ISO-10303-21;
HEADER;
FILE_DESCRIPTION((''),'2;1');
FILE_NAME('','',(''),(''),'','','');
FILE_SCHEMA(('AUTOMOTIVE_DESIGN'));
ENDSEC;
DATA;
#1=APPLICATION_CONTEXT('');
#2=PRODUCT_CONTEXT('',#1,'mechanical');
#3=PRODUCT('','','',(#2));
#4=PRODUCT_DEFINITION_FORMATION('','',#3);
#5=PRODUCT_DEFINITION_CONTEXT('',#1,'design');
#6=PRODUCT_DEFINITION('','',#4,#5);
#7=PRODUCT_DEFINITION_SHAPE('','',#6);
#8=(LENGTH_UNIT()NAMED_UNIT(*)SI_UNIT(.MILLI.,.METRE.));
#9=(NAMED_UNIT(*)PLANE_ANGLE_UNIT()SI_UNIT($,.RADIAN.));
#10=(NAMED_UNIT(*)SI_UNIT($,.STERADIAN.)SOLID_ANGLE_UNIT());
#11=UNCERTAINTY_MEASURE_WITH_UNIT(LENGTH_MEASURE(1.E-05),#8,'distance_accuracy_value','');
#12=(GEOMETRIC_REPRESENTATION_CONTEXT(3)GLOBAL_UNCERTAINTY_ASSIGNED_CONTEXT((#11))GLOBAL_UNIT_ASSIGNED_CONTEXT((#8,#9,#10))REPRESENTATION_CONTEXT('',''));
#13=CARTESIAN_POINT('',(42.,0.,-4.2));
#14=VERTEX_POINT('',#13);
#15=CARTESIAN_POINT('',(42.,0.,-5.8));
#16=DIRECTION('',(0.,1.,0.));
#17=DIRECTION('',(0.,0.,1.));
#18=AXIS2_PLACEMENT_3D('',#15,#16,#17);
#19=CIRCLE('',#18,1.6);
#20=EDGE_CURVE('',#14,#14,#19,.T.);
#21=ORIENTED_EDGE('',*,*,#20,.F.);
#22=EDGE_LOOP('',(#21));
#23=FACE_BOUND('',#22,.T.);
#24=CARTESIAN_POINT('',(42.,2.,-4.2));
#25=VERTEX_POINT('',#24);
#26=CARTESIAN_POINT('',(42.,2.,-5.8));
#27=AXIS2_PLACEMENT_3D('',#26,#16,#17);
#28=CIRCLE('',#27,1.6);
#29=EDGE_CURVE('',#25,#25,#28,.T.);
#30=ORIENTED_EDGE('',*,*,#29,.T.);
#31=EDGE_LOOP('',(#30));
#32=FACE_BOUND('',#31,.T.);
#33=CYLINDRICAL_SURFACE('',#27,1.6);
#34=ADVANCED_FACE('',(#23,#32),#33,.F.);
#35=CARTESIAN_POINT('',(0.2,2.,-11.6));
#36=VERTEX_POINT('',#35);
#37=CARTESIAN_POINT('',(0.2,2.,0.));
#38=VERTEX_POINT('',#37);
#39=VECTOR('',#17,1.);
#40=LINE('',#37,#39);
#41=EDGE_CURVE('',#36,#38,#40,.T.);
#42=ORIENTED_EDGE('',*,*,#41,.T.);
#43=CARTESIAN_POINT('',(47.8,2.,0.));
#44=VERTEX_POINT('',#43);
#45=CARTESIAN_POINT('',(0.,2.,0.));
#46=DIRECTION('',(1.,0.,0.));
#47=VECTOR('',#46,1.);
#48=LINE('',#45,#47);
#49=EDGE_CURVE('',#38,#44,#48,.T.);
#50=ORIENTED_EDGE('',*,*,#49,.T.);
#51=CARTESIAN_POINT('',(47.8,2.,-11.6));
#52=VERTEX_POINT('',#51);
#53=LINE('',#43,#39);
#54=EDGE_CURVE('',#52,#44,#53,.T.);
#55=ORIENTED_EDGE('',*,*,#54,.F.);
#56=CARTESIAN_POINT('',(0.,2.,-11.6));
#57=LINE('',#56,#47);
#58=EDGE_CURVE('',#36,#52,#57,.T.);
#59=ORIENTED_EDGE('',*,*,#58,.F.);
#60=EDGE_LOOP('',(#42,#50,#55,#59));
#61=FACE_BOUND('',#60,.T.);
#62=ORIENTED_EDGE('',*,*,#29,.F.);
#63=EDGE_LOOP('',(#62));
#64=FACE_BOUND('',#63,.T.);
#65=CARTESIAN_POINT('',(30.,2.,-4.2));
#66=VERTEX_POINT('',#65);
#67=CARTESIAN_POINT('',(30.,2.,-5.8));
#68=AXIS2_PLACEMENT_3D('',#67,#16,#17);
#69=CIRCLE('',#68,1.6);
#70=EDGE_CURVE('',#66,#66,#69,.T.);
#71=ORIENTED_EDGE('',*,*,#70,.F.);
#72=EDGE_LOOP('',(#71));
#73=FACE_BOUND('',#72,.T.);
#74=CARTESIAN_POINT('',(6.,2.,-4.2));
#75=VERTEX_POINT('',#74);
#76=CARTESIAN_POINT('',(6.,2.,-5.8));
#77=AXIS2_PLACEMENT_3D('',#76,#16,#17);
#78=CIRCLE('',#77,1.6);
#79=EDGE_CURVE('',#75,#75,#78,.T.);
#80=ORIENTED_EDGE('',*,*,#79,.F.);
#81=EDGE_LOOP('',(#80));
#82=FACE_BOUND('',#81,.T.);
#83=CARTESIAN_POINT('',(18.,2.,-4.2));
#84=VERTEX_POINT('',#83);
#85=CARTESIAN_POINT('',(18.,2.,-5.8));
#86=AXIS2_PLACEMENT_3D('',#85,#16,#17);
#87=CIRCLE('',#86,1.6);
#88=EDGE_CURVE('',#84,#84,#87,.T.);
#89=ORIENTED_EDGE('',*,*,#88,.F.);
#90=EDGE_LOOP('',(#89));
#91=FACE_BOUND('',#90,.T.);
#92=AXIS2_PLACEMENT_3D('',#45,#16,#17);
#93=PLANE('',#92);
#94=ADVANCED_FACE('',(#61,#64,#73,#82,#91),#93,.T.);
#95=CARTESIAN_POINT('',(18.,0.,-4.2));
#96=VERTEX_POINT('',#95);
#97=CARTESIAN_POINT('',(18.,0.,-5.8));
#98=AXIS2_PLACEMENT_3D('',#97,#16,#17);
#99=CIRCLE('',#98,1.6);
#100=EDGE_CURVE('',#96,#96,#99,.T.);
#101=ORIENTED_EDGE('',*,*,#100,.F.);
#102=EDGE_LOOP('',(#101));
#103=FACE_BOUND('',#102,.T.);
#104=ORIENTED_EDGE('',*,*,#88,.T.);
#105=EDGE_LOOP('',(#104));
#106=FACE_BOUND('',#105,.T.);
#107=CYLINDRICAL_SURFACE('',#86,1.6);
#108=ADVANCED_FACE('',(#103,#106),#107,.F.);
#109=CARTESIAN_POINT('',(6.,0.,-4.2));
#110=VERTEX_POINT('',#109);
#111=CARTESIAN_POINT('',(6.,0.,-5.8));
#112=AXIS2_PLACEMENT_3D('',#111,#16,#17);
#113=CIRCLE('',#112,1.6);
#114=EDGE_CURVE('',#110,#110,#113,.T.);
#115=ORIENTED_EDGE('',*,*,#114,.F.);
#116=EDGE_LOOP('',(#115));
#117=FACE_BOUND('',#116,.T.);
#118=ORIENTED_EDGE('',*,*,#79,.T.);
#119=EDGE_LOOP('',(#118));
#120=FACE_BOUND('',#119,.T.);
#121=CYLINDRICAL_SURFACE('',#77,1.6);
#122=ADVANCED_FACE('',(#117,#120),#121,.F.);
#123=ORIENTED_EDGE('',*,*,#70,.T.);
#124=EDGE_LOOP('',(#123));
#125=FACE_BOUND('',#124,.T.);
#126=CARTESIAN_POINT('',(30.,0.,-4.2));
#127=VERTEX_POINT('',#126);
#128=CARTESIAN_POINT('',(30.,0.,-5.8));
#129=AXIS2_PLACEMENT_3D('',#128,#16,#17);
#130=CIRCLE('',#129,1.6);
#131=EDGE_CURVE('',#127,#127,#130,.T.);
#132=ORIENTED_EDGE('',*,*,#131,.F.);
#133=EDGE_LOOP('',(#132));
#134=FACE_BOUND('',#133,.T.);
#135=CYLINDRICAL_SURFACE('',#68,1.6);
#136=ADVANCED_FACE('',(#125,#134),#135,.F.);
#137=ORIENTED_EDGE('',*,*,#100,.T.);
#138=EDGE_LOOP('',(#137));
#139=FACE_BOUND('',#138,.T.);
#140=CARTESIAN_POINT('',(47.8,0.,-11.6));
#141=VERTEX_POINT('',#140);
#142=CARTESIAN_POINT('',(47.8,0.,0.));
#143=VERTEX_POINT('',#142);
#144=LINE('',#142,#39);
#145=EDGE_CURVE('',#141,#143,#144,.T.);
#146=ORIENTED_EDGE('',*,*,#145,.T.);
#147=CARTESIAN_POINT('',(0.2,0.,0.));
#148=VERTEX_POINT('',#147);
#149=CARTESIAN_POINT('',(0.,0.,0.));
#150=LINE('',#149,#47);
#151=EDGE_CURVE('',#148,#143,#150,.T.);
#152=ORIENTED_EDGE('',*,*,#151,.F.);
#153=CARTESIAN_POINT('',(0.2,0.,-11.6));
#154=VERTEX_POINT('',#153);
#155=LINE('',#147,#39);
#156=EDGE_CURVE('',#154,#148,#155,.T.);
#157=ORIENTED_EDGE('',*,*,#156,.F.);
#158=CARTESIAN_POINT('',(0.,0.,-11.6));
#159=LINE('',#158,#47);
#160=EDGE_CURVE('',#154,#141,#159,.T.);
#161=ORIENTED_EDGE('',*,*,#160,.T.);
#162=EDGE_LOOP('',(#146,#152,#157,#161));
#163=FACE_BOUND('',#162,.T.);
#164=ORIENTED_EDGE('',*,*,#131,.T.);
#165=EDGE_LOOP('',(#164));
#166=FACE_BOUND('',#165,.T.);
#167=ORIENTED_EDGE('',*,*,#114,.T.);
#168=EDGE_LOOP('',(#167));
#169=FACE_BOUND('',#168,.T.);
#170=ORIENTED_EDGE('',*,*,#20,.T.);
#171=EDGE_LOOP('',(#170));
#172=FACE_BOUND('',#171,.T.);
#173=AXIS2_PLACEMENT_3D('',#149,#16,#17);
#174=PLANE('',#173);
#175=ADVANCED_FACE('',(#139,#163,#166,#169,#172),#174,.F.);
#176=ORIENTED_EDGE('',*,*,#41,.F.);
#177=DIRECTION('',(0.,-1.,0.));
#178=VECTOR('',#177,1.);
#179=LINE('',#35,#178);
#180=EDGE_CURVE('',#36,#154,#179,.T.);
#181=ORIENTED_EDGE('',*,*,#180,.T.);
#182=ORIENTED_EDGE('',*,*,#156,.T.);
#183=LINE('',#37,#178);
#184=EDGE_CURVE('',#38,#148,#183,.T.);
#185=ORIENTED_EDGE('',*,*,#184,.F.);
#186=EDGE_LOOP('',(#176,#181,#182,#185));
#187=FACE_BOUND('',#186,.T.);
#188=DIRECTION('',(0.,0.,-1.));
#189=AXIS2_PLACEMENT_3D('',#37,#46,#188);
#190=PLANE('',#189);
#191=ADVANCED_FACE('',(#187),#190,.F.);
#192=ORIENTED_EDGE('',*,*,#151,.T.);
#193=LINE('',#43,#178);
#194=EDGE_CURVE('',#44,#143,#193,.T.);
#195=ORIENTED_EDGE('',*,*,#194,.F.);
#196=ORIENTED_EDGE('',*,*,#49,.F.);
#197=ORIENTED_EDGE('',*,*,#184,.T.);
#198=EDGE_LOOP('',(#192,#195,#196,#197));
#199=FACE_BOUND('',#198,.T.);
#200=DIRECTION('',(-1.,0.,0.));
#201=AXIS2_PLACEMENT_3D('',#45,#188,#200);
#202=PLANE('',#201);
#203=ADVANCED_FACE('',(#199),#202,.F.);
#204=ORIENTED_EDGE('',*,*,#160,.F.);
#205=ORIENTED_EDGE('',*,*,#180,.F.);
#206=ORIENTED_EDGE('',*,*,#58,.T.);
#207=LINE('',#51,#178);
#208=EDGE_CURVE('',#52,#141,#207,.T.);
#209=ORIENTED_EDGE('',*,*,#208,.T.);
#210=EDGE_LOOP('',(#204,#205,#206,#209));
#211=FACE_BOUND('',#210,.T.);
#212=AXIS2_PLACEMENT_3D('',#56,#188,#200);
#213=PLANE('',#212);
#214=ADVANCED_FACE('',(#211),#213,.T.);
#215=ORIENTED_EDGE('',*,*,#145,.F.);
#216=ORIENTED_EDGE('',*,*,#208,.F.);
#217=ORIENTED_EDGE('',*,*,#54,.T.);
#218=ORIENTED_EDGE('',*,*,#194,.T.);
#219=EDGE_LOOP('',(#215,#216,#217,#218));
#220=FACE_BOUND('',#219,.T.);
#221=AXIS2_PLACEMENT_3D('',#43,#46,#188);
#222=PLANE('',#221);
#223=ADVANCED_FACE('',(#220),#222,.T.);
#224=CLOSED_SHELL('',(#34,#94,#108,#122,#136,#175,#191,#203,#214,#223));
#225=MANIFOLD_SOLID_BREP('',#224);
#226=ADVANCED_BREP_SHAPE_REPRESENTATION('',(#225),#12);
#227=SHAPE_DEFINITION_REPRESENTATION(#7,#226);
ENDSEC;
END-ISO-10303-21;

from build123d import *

# Parameters (mm, degrees)
SKETCH1_W                = 47.6
SKETCH1_H                = 5.8
BOSS_EXTRUDE1_DEPTH      = 2
M3_CLEARANCE_HOLE1_D     = 3.2
M3_CLEARANCE_HOLE1_DEPTH = 3


with BuildPart() as part:
    # Sketch1 → Boss-Extrude1 (new body)
    with BuildSketch(Plane(origin=(0, 0, 0), x_dir=(1, 0, 0), z_dir=(0, 1, 0))):
        with Locations((24, 2.9)):
            Rectangle(SKETCH1_W, SKETCH1_H)
        with Locations((24, 8.7)):
            Rectangle(SKETCH1_W, SKETCH1_H)
    extrude(amount=BOSS_EXTRUDE1_DEPTH)

    # M3 Clearance Hole1
    with Locations(Plane(origin=(0, 2, 0), x_dir=(1, 0, 0), z_dir=(0, 1, 0))):
        with Locations((42, 5.8), (30, 5.8), (18, 5.8), (6, 5.8)):
            Hole(M3_CLEARANCE_HOLE1_D / 2, depth=M3_CLEARANCE_HOLE1_DEPTH)


solid = part.part
